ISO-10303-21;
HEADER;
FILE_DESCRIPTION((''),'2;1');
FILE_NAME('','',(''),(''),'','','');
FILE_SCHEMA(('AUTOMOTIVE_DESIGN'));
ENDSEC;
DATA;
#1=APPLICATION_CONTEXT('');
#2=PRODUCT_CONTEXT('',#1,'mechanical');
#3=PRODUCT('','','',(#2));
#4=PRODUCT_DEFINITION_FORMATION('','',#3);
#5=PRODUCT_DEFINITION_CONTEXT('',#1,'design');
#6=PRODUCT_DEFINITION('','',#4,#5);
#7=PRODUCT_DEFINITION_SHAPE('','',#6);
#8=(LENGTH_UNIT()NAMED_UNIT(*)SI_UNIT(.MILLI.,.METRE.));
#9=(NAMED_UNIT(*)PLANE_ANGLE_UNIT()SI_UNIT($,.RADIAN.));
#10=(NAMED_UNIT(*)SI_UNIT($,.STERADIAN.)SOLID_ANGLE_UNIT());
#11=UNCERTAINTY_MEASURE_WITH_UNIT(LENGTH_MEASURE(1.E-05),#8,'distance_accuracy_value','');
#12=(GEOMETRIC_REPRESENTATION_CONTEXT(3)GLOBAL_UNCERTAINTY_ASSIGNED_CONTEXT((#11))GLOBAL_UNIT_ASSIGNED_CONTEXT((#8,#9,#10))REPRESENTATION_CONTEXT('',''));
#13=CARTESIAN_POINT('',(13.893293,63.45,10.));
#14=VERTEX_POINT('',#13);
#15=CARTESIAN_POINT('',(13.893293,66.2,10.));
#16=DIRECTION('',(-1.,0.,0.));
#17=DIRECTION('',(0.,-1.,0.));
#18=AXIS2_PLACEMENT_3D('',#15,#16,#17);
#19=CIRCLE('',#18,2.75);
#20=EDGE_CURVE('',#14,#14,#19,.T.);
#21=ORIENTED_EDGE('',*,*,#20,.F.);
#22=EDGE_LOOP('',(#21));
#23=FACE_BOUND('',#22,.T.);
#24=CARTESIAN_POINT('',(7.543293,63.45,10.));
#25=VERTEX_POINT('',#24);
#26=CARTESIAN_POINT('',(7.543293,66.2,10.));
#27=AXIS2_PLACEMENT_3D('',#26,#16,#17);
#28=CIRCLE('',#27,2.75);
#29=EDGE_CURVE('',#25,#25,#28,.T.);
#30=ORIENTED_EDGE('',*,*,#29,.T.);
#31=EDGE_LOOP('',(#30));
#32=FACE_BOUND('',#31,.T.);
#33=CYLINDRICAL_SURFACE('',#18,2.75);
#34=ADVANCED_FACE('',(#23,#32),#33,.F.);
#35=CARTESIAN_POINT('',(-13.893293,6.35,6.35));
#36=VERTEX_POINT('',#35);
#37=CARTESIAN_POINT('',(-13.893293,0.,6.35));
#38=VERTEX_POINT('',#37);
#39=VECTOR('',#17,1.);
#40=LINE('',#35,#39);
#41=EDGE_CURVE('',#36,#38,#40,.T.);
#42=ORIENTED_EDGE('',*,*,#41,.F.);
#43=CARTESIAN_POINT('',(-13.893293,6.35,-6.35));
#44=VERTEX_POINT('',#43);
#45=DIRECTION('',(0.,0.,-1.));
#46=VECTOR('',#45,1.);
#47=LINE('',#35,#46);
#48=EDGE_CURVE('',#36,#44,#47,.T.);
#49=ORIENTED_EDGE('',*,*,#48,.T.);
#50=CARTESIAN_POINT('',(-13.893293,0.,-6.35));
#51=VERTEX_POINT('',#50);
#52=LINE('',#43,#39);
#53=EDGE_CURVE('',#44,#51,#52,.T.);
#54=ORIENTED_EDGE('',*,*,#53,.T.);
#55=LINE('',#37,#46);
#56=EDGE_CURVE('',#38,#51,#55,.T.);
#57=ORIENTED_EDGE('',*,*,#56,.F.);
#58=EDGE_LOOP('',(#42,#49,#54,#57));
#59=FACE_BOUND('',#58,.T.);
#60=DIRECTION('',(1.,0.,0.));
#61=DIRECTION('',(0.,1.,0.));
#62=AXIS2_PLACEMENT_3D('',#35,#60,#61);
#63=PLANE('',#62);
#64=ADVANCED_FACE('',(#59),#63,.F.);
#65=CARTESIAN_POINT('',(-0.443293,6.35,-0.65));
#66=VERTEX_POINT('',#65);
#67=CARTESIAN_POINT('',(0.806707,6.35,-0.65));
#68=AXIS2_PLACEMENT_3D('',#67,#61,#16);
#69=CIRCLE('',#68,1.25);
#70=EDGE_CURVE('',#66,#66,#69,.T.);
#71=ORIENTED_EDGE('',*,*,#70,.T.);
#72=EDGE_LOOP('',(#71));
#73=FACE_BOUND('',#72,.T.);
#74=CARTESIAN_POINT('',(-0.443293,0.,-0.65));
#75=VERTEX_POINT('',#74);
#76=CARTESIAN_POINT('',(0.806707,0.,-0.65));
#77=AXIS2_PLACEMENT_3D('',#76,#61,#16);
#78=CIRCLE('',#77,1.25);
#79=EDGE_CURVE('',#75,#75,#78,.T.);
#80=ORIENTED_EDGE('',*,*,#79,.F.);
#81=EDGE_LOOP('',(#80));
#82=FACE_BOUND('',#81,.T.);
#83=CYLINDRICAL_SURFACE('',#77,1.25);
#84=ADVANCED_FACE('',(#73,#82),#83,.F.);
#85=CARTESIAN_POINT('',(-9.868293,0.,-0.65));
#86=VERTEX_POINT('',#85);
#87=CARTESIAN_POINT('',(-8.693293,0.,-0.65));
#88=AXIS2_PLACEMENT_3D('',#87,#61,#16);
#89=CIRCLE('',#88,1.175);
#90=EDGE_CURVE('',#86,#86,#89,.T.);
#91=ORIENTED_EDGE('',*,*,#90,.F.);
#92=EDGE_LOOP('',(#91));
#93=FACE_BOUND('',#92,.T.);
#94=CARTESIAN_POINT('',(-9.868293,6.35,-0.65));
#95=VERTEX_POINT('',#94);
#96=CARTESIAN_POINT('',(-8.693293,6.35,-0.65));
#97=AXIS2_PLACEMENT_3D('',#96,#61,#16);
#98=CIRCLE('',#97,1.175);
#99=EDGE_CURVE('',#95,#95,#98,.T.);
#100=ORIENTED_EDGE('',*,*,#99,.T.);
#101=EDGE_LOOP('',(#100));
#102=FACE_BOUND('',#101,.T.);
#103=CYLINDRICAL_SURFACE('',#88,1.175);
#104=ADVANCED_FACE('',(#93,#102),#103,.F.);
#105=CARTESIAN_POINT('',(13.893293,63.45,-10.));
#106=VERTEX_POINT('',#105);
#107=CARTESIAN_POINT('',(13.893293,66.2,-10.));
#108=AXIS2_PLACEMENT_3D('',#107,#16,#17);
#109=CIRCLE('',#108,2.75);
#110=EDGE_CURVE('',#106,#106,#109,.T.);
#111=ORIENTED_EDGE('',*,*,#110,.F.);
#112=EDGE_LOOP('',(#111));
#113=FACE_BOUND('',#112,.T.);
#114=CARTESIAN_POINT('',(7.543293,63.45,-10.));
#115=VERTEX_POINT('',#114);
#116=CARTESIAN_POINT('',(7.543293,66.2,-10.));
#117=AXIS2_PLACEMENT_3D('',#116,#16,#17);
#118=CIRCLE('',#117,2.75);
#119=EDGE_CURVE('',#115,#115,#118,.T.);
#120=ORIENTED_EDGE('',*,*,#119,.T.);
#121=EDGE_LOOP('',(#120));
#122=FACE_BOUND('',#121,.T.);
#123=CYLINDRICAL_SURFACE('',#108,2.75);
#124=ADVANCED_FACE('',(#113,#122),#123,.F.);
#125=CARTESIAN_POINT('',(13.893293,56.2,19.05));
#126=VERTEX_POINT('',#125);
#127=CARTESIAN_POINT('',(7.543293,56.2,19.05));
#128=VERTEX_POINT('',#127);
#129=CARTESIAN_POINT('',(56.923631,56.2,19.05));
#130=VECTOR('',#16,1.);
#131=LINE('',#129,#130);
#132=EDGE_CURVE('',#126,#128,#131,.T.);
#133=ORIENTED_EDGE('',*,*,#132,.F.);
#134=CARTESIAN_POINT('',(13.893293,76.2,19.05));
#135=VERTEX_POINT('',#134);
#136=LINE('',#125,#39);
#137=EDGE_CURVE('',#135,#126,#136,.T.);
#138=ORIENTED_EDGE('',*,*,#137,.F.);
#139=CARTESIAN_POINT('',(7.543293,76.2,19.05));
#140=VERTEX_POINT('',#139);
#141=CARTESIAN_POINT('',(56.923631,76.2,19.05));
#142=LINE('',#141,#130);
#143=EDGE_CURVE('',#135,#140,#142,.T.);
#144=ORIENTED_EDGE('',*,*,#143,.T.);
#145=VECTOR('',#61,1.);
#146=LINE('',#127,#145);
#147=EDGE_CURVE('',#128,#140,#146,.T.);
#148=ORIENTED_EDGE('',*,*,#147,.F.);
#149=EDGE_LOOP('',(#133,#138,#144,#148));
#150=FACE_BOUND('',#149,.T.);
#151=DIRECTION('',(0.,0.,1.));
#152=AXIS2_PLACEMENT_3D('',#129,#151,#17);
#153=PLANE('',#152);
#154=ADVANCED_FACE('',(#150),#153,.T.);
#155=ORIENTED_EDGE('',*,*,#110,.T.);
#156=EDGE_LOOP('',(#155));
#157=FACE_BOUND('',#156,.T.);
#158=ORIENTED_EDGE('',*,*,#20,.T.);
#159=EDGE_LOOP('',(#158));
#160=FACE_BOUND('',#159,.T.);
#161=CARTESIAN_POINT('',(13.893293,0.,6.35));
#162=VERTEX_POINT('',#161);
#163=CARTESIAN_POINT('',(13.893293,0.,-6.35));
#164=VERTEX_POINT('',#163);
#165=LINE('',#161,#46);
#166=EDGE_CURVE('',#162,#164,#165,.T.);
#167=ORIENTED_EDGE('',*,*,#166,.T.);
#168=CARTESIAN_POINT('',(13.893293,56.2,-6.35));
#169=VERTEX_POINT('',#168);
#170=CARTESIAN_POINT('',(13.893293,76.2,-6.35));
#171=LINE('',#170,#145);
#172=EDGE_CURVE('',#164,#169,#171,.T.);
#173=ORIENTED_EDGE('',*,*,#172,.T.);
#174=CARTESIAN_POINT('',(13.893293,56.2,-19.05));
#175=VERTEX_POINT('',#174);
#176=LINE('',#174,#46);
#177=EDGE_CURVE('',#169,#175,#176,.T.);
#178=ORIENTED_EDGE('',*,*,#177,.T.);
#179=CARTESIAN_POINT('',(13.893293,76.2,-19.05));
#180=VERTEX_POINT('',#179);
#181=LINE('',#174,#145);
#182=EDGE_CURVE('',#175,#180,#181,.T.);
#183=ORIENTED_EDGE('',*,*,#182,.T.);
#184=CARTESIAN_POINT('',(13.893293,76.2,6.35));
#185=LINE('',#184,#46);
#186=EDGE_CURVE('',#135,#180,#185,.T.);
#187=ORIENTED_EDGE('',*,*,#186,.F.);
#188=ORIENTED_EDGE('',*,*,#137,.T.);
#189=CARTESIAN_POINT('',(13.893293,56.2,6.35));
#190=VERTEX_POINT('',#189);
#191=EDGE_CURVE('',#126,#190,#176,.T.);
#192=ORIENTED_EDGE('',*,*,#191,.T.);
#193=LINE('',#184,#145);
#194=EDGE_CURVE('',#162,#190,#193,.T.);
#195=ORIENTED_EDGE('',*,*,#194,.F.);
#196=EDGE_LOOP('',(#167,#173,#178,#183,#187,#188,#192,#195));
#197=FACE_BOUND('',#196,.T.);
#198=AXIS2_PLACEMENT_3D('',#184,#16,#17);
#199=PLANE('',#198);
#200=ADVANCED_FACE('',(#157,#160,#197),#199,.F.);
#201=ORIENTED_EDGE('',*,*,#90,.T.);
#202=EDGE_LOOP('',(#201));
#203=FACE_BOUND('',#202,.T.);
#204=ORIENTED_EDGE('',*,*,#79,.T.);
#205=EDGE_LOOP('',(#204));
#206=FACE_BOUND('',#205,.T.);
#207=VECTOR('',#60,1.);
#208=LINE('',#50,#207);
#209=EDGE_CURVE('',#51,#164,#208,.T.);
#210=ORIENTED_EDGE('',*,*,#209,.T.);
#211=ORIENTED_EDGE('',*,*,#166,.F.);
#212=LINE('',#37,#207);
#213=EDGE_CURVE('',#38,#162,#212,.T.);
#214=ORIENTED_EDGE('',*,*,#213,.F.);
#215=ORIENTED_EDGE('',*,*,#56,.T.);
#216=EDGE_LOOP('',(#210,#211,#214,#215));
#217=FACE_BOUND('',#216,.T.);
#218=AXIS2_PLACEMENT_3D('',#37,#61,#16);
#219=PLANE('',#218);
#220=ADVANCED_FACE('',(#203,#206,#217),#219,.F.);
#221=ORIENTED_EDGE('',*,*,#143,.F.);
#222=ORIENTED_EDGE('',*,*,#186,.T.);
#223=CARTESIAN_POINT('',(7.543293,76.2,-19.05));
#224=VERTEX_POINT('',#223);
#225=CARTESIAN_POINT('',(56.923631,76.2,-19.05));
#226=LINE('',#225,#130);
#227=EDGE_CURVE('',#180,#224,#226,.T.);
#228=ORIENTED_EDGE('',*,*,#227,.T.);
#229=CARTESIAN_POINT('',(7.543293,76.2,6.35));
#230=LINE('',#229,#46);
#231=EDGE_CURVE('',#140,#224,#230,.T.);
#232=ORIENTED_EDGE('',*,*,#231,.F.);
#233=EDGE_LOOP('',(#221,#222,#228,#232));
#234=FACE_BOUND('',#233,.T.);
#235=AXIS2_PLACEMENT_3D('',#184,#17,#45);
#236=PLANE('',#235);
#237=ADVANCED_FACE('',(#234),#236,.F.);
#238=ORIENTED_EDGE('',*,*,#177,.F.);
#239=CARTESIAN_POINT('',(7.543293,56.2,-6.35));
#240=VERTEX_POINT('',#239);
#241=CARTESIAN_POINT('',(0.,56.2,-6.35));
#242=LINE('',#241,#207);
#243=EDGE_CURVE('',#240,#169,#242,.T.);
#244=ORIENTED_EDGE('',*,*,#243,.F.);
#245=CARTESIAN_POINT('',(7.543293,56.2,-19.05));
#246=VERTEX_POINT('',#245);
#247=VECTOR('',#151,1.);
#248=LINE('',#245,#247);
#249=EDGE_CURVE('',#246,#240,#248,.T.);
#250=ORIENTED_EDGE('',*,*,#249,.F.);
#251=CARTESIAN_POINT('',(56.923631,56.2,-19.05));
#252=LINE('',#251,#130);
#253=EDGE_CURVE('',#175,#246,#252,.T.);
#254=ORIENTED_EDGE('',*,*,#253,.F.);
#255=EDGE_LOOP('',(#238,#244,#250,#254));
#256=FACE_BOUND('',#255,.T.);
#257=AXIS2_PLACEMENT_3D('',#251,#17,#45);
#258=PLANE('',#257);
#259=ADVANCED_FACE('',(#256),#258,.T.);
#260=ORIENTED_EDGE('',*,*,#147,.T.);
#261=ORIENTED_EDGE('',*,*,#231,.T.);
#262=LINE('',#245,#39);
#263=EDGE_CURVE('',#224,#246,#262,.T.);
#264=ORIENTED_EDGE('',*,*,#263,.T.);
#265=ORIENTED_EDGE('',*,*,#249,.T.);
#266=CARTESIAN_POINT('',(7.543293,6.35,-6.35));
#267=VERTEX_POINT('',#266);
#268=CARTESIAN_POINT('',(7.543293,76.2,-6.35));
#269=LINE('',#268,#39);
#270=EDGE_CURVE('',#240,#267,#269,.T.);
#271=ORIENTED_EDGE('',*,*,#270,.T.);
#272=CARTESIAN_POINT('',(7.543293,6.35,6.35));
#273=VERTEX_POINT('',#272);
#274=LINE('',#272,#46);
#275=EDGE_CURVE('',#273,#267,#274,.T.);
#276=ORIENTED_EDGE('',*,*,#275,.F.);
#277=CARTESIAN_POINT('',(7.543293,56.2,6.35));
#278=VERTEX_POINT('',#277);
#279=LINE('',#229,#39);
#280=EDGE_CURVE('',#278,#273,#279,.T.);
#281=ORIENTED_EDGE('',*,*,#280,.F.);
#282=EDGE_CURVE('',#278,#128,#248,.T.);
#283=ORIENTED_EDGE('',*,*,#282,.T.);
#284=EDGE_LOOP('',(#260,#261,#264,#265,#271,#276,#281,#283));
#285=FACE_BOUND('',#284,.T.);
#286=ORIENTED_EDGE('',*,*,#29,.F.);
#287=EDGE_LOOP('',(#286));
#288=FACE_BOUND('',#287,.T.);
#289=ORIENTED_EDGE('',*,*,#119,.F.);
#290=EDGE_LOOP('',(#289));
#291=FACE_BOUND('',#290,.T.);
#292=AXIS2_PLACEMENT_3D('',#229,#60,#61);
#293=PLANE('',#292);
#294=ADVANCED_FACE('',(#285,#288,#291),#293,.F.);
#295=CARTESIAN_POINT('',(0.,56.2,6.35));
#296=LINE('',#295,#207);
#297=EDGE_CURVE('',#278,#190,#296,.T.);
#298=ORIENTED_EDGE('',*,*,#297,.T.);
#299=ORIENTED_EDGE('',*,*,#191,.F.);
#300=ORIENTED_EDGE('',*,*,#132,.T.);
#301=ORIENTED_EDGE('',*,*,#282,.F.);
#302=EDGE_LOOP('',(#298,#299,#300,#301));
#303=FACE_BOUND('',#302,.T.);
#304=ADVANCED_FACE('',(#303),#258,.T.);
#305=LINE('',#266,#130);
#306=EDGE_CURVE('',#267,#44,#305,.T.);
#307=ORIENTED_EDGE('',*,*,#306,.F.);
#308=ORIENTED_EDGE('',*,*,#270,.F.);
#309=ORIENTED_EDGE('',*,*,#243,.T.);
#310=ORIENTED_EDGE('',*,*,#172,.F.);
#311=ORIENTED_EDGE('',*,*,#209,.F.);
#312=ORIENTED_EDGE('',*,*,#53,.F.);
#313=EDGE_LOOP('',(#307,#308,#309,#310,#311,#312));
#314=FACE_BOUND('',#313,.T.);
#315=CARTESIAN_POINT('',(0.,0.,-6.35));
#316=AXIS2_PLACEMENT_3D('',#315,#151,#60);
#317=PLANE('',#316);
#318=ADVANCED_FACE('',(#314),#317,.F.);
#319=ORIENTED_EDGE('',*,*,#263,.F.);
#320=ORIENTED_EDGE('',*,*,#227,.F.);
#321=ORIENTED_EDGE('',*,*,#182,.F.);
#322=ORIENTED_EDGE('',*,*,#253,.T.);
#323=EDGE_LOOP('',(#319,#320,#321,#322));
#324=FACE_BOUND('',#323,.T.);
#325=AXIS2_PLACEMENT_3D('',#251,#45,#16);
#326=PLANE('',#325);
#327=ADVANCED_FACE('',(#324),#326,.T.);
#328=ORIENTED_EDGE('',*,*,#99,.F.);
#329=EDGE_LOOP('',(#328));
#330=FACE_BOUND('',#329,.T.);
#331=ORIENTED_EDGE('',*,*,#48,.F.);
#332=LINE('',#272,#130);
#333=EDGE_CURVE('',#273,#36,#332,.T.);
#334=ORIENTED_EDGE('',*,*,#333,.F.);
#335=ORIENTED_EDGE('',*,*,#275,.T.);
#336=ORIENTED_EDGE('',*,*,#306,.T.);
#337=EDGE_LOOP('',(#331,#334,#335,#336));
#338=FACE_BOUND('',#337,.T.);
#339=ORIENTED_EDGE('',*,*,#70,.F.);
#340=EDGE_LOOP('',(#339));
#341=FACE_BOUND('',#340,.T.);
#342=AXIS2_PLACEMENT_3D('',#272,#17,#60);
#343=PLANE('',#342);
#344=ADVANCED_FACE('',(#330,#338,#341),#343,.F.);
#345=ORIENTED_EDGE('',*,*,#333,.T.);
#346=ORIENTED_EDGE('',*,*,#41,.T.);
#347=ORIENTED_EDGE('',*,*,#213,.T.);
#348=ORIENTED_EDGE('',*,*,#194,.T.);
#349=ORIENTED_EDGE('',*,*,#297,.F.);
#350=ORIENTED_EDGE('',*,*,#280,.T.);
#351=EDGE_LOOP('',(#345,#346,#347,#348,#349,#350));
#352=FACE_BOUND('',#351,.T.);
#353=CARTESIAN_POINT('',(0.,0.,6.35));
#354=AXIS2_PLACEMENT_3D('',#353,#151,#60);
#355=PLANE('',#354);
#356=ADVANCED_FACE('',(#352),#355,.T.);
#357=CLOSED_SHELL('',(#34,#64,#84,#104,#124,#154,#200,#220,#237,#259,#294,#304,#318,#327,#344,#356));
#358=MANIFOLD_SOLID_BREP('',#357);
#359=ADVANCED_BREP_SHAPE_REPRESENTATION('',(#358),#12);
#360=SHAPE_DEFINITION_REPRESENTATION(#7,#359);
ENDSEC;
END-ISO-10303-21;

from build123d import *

# Parameters (mm, degrees)
BOSS_EXTRUDE1_DEPTH = 6.35
SKETCH2_W           = 38.1
SKETCH2_H           = 20
BOSS_EXTRUDE2_DEPTH = 6.35
SKETCH3_R           = 1.175
CUT_EXTRUDE1_DEPTH  = 7.35
SKETCH4_R           = 2.75
CUT_EXTRUDE2_DEPTH  = 7.35


with BuildPart() as part:
    # Sketch1 → Boss-Extrude1 (new body, symmetric)
    with BuildSketch(Plane.XY):
        Polygon((-13.893293336, 0), (13.893293336, 0), (13.893293336, 76.2), (7.543293336, 76.2), (7.543293336, 6.35), (-13.893293336, 6.35), align=None)
    extrude(amount=BOSS_EXTRUDE1_DEPTH, both=True)

    # Sketch2 → Boss-Extrude2 (add)
    with BuildSketch(Plane.ZY.offset(-7.543293336)):
        with Locations((0, 66.2)):
            Rectangle(SKETCH2_W, SKETCH2_H)
    extrude(amount=-BOSS_EXTRUDE2_DEPTH)

    # Sketch3 → Cut-Extrude1 (cut, through all)
    with BuildSketch(Plane(origin=(0, 6.35, 0), x_dir=(1, 0, 0), z_dir=(0, 1, 0))):
        with BuildLine():
            ThreePointArc((2.056706664, 0.65), (1.524137822, 1.673617376), (0.380238611, 1.825))
            ThreePointArc((0.380238611, 1.825), (-0.443293336, 0.65), (0.380238611, -0.525))
            ThreePointArc((0.380238611, -0.525), (1.524137822, -0.373617376), (2.056706664, 0.65))
        make_face()
        with Locations((-8.693293336, 0.65)):
            Circle(SKETCH3_R)
    extrude(amount=-CUT_EXTRUDE1_DEPTH, mode=Mode.SUBTRACT)

    # Sketch4 → Cut-Extrude2 (cut, through all)
    with BuildSketch(Plane.ZY.offset(-7.543293336)):
        with Locations((-10, 66.2)):
            Circle(SKETCH4_R)
        with Locations((10, 66.2)):
            Circle(SKETCH4_R)
    extrude(amount=-CUT_EXTRUDE2_DEPTH, mode=Mode.SUBTRACT)


solid = part.part
